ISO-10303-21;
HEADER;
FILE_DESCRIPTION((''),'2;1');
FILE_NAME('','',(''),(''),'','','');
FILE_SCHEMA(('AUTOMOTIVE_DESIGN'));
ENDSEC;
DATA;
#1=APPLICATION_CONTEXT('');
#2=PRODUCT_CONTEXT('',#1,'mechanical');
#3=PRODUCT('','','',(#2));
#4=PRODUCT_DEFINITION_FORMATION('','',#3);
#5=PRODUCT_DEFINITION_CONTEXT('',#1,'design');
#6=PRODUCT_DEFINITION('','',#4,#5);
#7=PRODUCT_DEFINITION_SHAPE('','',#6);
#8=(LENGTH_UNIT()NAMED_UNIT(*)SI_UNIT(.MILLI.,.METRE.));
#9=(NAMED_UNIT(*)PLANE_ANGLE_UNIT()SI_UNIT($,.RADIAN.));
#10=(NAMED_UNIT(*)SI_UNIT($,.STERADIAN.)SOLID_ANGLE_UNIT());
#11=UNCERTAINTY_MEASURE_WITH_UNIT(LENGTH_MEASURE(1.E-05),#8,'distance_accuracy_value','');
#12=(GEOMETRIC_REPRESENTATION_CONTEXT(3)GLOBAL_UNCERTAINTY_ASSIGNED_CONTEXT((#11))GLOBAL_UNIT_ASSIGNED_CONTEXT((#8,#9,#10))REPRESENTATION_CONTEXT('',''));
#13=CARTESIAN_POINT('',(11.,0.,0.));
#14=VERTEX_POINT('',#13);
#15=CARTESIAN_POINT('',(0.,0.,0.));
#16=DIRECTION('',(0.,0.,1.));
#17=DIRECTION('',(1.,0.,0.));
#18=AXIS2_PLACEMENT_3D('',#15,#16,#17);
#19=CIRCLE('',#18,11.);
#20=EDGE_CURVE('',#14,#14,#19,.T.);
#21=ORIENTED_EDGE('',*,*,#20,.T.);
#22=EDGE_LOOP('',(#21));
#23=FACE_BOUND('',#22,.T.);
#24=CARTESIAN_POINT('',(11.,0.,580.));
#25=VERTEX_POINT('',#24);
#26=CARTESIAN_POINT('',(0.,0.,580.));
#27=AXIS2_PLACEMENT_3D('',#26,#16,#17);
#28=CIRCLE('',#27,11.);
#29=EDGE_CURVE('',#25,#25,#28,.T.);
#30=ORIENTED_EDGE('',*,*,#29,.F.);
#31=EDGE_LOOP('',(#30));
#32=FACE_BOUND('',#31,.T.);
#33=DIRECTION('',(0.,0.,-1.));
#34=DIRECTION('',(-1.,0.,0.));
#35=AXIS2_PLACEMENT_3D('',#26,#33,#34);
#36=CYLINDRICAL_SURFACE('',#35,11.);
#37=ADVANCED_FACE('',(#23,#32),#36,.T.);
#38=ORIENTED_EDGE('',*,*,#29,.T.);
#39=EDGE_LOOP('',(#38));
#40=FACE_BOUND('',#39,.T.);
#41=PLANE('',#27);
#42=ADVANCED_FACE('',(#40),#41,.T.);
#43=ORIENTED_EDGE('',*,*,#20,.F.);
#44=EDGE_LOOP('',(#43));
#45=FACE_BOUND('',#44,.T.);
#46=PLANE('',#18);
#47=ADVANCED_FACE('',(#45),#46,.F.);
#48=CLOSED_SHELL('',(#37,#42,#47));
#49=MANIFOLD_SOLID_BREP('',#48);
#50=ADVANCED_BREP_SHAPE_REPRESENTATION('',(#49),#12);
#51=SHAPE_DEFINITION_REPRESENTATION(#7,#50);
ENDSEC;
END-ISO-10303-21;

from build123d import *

# Parameters (mm, degrees)
SKETCH1_R         = 11
CROSSBARROD_DEPTH = 580


with BuildPart() as part:
    # Sketch1 → CrossbarRod (new body)
    with BuildSketch(Plane.XY):
        Circle(SKETCH1_R)
    extrude(amount=CROSSBARROD_DEPTH)


solid = part.part
